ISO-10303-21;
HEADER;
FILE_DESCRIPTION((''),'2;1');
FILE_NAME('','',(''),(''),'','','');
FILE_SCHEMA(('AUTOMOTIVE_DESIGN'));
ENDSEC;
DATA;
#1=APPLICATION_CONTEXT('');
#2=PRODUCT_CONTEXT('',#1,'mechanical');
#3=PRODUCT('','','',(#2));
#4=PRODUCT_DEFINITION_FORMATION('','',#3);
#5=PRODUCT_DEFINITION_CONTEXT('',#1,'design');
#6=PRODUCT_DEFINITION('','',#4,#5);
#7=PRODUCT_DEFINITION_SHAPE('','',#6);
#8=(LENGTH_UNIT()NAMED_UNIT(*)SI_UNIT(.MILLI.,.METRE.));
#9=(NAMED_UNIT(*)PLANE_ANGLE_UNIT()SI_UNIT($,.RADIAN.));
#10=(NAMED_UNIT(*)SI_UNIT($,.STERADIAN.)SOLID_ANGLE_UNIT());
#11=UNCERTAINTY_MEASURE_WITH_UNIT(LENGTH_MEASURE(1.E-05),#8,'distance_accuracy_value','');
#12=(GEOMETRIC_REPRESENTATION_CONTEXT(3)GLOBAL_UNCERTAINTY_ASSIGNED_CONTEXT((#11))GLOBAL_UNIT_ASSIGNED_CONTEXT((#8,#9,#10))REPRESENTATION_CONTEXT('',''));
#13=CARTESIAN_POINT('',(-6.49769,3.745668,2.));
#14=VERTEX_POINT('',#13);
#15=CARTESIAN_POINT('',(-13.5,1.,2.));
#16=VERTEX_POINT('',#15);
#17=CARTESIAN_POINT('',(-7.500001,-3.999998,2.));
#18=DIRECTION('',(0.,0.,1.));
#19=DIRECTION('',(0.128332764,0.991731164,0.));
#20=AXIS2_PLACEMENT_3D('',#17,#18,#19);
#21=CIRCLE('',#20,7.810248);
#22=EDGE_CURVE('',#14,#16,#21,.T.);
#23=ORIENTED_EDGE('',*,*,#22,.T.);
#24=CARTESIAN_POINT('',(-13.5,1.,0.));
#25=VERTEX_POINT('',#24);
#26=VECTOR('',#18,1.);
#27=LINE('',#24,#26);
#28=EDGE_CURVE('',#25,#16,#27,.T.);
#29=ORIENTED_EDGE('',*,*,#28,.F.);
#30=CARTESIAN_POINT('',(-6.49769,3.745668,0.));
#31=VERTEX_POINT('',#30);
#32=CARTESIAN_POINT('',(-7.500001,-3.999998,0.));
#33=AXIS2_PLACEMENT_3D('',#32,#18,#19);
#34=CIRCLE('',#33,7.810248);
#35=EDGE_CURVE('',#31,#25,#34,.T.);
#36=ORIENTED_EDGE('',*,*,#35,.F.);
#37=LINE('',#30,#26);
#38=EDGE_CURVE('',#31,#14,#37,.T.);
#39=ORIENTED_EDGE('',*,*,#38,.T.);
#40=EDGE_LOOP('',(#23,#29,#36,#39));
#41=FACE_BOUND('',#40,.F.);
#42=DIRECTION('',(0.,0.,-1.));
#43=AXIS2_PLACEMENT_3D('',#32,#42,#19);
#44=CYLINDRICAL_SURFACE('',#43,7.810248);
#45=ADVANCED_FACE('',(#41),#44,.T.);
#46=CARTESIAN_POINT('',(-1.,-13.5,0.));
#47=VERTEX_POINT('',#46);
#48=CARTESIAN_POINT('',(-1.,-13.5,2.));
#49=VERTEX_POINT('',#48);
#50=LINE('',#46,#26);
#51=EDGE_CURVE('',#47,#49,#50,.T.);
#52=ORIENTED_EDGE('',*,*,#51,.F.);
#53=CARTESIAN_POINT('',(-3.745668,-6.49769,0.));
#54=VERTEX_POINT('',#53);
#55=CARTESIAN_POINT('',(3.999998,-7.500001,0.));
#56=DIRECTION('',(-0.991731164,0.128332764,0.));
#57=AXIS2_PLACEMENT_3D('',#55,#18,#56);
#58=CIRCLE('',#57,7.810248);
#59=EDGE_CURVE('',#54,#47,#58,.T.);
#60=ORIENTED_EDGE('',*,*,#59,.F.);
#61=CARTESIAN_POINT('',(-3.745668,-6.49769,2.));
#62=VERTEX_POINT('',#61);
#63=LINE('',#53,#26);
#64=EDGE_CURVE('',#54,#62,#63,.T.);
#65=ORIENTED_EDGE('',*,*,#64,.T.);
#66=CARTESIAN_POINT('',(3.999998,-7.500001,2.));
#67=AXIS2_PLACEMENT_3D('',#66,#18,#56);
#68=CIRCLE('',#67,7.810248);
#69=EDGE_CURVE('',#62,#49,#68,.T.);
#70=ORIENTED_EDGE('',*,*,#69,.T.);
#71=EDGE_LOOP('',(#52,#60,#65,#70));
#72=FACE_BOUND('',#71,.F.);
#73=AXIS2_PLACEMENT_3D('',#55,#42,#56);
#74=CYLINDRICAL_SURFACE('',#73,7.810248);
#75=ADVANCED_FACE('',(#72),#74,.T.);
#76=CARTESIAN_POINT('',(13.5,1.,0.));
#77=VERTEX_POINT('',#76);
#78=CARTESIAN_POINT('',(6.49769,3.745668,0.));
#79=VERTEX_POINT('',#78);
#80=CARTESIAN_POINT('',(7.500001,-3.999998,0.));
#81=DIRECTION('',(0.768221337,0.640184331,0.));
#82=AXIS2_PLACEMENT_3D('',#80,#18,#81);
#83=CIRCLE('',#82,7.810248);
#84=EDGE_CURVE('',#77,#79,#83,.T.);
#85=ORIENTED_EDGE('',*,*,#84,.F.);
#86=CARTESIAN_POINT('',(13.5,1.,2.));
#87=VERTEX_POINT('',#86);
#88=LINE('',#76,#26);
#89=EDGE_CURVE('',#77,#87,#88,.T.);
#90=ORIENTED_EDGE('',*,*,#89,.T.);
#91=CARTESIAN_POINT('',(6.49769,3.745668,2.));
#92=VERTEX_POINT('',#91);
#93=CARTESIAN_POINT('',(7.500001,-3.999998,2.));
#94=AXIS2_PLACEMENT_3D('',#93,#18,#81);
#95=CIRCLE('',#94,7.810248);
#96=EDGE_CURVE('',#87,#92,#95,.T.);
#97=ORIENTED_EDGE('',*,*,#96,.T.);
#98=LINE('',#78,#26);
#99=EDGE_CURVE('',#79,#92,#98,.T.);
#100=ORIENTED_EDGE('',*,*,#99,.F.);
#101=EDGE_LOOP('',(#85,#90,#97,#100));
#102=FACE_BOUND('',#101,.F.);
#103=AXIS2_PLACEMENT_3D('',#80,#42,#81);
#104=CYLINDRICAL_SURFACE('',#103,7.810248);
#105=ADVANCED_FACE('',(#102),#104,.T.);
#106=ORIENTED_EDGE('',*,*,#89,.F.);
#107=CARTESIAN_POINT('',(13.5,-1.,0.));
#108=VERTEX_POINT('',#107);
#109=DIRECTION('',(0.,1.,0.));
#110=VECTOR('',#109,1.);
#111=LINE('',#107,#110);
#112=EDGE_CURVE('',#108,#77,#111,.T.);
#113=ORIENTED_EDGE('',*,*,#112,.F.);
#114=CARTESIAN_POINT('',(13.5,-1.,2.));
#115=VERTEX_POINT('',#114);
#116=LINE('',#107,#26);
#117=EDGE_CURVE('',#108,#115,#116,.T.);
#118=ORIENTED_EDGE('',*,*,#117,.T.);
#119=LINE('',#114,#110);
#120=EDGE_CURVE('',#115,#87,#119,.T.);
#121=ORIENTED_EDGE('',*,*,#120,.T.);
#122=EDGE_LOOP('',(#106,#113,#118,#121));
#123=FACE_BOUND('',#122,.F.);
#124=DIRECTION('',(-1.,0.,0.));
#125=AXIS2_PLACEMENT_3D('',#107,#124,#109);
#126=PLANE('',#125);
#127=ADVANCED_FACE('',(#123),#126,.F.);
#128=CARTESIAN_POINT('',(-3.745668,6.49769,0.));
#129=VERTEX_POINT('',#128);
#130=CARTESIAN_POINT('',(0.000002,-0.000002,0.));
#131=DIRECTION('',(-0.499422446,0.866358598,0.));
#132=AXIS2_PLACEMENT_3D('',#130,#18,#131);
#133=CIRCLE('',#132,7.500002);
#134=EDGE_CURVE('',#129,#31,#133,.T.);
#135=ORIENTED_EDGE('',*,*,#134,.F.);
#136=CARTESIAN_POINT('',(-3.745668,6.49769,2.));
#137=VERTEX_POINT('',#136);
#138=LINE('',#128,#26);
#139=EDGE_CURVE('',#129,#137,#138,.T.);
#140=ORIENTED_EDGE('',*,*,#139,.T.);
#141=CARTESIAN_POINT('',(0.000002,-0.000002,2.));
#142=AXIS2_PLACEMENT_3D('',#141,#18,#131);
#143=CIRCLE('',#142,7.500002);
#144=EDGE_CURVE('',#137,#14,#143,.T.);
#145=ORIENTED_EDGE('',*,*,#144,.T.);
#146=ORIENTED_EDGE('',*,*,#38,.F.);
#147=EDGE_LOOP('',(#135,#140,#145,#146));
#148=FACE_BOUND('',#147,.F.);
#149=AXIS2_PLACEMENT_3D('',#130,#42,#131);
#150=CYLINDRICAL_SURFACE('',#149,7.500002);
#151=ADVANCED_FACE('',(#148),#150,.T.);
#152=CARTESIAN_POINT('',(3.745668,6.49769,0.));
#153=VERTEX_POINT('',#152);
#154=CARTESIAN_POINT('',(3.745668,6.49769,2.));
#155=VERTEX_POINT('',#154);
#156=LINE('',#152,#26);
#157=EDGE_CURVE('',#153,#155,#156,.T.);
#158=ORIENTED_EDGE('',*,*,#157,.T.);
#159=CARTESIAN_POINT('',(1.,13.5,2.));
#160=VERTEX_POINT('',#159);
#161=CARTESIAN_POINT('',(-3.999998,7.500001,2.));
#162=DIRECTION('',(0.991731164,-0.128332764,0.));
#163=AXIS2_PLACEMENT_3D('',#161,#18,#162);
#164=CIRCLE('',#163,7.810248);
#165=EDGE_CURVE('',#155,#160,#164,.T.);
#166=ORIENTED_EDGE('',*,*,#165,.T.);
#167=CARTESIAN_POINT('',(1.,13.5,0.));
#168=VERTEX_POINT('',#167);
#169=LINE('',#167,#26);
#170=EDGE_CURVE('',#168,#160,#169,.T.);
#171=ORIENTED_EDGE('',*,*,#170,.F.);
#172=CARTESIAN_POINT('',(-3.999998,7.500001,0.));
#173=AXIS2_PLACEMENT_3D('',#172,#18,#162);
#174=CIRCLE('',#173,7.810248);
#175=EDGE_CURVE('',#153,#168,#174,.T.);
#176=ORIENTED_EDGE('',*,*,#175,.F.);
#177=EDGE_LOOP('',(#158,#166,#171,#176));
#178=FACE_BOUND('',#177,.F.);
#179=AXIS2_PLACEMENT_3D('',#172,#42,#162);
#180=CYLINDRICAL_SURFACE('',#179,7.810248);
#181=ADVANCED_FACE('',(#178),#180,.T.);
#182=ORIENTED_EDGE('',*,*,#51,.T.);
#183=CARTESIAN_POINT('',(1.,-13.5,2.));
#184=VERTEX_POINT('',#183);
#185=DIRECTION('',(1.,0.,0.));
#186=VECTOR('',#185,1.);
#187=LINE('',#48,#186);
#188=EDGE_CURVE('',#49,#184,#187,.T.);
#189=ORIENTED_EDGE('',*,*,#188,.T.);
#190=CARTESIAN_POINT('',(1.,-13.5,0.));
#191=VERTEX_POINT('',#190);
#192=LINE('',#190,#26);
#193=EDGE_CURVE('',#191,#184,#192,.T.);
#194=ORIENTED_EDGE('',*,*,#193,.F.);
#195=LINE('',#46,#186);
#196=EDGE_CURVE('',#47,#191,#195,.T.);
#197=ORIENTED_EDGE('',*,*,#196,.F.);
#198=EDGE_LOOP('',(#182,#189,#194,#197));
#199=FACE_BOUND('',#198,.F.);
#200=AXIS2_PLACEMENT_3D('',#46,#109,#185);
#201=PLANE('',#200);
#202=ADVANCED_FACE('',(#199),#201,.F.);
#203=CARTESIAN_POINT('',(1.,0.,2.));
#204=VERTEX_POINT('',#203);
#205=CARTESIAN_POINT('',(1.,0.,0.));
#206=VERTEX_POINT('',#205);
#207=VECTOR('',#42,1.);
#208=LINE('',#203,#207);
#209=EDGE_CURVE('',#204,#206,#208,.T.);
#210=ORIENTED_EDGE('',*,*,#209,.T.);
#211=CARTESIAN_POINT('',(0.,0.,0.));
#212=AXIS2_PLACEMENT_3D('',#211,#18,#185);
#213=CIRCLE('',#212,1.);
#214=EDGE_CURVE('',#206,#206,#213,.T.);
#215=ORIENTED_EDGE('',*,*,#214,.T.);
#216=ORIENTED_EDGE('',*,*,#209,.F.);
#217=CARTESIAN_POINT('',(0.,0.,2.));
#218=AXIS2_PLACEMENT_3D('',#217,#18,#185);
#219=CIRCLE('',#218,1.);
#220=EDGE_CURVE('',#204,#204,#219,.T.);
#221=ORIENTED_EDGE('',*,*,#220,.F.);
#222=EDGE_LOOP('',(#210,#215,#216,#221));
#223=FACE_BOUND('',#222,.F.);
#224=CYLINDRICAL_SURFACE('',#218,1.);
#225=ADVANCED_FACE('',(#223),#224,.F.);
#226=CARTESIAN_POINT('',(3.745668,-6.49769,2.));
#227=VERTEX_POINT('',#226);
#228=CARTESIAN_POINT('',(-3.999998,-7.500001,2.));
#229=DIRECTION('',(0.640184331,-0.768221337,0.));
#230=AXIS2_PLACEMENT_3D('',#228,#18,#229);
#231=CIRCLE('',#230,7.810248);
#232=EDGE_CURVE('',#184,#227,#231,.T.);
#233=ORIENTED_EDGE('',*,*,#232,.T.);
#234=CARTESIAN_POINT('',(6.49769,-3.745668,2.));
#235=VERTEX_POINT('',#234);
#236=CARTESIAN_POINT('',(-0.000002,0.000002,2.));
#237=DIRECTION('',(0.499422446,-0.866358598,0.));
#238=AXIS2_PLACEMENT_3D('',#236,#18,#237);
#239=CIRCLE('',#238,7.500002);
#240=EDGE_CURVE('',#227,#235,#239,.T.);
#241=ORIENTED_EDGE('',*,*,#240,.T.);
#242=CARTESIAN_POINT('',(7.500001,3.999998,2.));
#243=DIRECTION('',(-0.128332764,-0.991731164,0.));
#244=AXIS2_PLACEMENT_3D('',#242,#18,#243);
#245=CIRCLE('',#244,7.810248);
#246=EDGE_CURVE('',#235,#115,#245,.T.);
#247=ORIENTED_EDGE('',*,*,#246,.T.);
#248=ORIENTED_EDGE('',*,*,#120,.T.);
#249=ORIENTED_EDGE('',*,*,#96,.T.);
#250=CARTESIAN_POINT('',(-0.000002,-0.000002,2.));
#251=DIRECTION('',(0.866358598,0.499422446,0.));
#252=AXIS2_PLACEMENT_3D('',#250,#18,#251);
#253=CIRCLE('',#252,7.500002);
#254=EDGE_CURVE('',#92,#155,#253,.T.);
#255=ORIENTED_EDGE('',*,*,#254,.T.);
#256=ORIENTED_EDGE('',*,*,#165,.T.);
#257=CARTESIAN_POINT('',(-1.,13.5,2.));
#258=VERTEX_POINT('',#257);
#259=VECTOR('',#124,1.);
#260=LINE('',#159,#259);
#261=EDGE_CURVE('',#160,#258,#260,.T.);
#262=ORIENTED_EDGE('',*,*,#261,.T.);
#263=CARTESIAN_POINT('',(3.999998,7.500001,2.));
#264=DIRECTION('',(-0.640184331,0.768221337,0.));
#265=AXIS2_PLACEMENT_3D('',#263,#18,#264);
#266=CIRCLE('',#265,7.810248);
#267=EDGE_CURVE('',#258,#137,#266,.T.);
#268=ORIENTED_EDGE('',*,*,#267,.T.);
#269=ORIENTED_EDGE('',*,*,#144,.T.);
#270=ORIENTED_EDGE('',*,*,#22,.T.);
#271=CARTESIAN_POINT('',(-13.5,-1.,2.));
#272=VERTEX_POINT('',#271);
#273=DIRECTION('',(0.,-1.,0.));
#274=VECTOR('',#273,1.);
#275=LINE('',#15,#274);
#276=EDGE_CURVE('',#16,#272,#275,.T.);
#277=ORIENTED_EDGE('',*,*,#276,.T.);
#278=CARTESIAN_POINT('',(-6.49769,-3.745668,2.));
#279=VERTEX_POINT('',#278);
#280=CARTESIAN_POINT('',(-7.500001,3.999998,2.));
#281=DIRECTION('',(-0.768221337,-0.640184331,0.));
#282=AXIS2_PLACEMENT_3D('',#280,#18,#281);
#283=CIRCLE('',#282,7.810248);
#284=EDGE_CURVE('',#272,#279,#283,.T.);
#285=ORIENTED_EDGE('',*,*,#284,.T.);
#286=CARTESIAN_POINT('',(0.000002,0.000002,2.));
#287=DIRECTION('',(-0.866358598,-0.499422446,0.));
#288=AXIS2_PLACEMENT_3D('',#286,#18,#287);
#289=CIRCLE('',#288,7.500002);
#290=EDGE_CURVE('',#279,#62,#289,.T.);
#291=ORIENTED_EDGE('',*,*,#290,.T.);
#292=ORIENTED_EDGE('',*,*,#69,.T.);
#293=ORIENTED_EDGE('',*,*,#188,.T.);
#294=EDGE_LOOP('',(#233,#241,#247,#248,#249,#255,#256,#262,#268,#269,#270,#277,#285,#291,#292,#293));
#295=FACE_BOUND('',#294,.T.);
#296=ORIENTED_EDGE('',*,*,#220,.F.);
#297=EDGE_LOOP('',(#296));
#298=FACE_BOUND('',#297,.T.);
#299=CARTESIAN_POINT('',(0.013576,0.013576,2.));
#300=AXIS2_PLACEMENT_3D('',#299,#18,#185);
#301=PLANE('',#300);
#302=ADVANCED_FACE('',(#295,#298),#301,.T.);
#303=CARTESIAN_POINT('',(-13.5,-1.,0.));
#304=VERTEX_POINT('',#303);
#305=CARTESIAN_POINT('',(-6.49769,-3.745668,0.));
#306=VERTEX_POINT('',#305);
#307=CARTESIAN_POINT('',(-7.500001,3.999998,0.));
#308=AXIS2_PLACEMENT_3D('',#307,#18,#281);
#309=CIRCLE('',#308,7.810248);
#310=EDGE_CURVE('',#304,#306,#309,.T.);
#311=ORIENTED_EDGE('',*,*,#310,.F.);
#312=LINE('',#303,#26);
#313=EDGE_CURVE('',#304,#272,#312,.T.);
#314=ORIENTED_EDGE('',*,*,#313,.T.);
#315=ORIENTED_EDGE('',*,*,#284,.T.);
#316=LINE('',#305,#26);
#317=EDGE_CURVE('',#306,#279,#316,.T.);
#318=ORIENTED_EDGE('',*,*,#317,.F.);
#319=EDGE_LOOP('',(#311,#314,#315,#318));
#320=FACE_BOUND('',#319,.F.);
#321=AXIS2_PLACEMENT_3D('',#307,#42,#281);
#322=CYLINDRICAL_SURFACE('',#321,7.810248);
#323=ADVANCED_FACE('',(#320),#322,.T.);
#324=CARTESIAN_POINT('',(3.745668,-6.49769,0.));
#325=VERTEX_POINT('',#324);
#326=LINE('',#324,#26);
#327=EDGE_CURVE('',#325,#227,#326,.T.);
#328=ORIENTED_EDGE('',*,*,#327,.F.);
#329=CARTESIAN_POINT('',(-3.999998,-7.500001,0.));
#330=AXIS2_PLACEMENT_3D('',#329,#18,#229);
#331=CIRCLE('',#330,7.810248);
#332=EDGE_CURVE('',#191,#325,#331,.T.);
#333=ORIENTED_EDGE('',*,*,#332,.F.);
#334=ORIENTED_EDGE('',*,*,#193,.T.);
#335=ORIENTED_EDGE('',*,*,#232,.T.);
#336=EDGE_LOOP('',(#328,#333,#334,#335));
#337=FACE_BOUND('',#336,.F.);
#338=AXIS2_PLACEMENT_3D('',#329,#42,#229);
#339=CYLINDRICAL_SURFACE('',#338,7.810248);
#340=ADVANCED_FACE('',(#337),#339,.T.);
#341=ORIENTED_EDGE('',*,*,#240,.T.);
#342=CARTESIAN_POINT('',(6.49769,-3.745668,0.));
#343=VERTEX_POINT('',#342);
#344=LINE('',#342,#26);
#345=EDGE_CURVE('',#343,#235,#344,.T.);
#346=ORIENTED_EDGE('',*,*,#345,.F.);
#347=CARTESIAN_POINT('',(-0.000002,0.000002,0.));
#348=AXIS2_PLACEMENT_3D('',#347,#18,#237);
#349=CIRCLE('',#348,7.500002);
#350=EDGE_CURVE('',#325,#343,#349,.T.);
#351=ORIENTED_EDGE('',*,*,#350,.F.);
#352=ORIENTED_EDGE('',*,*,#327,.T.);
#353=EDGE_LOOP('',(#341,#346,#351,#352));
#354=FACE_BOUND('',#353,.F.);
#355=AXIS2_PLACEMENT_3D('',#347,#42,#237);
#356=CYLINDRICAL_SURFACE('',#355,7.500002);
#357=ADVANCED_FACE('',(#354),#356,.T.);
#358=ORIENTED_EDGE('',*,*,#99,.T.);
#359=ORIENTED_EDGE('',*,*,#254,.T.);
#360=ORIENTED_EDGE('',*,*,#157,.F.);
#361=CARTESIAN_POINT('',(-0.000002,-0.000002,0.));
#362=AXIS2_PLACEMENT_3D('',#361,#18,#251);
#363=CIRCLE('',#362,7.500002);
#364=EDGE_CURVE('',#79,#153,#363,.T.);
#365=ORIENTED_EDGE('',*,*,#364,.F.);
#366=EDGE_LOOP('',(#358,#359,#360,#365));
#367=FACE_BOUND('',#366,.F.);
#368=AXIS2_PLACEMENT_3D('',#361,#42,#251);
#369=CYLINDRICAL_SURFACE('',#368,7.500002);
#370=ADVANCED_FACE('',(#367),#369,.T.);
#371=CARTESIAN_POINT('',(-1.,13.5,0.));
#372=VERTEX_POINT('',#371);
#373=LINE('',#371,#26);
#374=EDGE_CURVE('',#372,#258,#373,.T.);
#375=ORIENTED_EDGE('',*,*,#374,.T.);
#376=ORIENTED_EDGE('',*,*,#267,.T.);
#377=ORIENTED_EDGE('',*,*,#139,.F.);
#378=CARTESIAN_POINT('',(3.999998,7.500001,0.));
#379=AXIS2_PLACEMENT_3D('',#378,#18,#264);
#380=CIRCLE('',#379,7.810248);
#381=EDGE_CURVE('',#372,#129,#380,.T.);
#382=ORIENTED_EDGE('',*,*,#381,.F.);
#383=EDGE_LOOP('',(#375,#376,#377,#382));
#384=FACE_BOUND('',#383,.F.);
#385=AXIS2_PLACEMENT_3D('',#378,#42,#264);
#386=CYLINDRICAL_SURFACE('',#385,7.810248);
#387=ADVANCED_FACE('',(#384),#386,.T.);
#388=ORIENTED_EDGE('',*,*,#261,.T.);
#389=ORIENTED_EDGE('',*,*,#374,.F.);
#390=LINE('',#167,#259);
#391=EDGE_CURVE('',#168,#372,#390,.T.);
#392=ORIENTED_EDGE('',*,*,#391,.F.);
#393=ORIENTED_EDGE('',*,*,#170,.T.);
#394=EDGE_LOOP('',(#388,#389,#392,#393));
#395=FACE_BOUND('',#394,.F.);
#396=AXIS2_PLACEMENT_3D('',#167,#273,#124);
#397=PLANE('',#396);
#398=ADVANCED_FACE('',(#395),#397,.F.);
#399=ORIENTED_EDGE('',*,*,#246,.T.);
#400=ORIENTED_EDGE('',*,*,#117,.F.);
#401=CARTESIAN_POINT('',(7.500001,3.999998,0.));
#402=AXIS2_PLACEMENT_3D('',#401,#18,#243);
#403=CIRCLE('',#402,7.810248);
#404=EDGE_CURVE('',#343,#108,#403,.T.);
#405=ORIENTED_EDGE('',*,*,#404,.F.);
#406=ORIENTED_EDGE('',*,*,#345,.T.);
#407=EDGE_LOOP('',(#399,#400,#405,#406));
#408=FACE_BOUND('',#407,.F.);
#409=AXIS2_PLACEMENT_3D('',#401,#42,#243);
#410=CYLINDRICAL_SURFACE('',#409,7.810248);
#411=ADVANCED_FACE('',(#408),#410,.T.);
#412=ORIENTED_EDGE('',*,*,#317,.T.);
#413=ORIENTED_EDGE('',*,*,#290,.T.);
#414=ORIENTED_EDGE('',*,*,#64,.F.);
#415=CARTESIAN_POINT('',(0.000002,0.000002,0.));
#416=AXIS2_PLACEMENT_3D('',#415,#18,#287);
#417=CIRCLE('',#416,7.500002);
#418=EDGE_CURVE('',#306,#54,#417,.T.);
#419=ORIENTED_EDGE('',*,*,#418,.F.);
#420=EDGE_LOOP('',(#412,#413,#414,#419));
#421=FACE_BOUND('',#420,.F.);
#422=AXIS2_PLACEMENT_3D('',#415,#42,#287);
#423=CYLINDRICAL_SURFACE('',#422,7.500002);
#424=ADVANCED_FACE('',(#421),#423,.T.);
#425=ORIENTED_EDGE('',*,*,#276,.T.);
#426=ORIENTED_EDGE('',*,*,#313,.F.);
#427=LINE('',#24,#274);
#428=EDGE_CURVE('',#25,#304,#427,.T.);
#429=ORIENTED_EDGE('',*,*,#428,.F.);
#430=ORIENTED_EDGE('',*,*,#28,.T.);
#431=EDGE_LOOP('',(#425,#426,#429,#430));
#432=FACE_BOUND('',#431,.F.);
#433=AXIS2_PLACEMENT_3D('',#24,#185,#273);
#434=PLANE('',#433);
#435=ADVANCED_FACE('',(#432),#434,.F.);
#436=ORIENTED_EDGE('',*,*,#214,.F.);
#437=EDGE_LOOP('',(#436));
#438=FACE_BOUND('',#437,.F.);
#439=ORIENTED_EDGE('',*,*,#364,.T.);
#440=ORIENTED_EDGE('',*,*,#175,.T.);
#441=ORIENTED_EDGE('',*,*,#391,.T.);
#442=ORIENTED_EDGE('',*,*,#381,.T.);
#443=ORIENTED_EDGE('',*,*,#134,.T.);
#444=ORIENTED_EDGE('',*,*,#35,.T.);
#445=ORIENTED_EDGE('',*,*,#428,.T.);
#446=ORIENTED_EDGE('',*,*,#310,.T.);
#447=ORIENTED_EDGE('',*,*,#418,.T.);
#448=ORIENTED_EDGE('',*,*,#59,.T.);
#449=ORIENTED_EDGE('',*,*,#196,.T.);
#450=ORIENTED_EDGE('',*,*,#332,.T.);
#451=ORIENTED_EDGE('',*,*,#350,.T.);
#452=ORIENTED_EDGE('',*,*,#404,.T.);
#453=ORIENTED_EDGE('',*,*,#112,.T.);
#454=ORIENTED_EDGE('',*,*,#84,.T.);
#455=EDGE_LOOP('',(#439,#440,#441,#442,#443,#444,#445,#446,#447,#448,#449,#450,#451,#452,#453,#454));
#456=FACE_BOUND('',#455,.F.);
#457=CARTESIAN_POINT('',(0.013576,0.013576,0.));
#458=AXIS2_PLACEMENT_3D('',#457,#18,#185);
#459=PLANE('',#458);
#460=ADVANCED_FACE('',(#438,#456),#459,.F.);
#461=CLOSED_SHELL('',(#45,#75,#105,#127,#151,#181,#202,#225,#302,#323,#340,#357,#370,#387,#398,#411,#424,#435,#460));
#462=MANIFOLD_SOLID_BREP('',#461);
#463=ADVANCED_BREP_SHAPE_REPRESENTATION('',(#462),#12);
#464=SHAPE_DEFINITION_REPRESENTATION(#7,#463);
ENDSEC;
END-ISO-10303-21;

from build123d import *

# Parameters (mm, degrees)
F1_DEPTH = 2
F2_R     = 1
F3_DEPTH = 2.001


with BuildPart() as f1:
    # F0 (on Top) → F1 (new body)
    with BuildSketch(Plane.XY):
        with BuildLine():
            ThreePointArc((6.49769, -3.745668), (7.24509, -1.938727), (7.5, 0))
            ThreePointArc((7.5, 0), (7.24509, 1.938727), (6.49769, 3.745668))
            ThreePointArc((6.49769, 3.745668), (5.303301, 5.303301), (3.745668, 6.49769))
            ThreePointArc((3.745668, 6.49769), (1.938727, 7.24509), (0, 7.5))
            ThreePointArc((0, 7.5), (-1.938727, 7.24509), (-3.745668, 6.49769))
            ThreePointArc((-3.745668, 6.49769), (-5.303301, 5.303301), (-6.49769, 3.745668))
            ThreePointArc((-6.49769, 3.745668), (-7.5, 0), (-6.49769, -3.745668))
            ThreePointArc((-6.49769, -3.745668), (-5.303301, -5.303301), (-3.745668, -6.49769))
            ThreePointArc((-3.745668, -6.49769), (0, -7.5), (3.745668, -6.49769))
            ThreePointArc((3.745668, -6.49769), (5.303301, -5.303301), (6.49769, -3.745668))
        make_face()
        with BuildLine():
            ThreePointArc((6.49769, 3.745668), (7.24509, 1.938727), (7.5, 0))
            ThreePointArc((7.5, 0), (7.24509, -1.938727), (6.49769, -3.745668))
            ThreePointArc((6.49769, -3.745668), (10.351122, -3.271252), (13.5, -1))
            Line((13.5, -1), (13.5, 0))
            Line((13.5, 0), (13.5, 1))
            ThreePointArc((13.5, 1), (10.351122, 3.271252), (6.49769, 3.745668))
        make_face()
        with BuildLine():
            ThreePointArc((0, 7.5), (1.938727, 7.24509), (3.745668, 6.49769))
            ThreePointArc((3.745668, 6.49769), (3.271252, 10.351122), (1, 13.5))
            Line((1, 13.5), (0, 13.5))
            Line((0, 13.5), (0, 7.5))
        make_face()
        with BuildLine():
            ThreePointArc((1, -13.5), (3.271252, -10.351122), (3.745668, -6.49769))
            ThreePointArc((3.745668, -6.49769), (0, -7.5), (-3.745668, -6.49769))
            ThreePointArc((-3.745668, -6.49769), (-3.271252, -10.351122), (-1, -13.5))
            Line((-1, -13.5), (0, -13.5))
            Line((0, -13.5), (1, -13.5))
        make_face()
        with BuildLine():
            ThreePointArc((-3.745668, 6.49769), (-1.938727, 7.24509), (0, 7.5))
            Line((0, 7.5), (0, 13.5))
            Line((0, 13.5), (-1, 13.5))
            ThreePointArc((-1, 13.5), (-3.271252, 10.351122), (-3.745668, 6.49769))
        make_face()
        with BuildLine():
            ThreePointArc((-13.5, -1), (-10.351122, -3.271252), (-6.49769, -3.745668))
            ThreePointArc((-6.49769, -3.745668), (-7.5, 0), (-6.49769, 3.745668))
            ThreePointArc((-6.49769, 3.745668), (-10.351122, 3.271252), (-13.5, 1))
            Line((-13.5, 1), (-13.5, 0))
            Line((-13.5, 0), (-13.5, -1))
        make_face()
    extrude(amount=F1_DEPTH)

    # F2 (on face) → F3 (cut, through all)
    with BuildSketch(Plane.XY.offset(2)):
        Circle(F2_R)
    extrude(amount=-F3_DEPTH, mode=Mode.SUBTRACT)


solid = f1.part
